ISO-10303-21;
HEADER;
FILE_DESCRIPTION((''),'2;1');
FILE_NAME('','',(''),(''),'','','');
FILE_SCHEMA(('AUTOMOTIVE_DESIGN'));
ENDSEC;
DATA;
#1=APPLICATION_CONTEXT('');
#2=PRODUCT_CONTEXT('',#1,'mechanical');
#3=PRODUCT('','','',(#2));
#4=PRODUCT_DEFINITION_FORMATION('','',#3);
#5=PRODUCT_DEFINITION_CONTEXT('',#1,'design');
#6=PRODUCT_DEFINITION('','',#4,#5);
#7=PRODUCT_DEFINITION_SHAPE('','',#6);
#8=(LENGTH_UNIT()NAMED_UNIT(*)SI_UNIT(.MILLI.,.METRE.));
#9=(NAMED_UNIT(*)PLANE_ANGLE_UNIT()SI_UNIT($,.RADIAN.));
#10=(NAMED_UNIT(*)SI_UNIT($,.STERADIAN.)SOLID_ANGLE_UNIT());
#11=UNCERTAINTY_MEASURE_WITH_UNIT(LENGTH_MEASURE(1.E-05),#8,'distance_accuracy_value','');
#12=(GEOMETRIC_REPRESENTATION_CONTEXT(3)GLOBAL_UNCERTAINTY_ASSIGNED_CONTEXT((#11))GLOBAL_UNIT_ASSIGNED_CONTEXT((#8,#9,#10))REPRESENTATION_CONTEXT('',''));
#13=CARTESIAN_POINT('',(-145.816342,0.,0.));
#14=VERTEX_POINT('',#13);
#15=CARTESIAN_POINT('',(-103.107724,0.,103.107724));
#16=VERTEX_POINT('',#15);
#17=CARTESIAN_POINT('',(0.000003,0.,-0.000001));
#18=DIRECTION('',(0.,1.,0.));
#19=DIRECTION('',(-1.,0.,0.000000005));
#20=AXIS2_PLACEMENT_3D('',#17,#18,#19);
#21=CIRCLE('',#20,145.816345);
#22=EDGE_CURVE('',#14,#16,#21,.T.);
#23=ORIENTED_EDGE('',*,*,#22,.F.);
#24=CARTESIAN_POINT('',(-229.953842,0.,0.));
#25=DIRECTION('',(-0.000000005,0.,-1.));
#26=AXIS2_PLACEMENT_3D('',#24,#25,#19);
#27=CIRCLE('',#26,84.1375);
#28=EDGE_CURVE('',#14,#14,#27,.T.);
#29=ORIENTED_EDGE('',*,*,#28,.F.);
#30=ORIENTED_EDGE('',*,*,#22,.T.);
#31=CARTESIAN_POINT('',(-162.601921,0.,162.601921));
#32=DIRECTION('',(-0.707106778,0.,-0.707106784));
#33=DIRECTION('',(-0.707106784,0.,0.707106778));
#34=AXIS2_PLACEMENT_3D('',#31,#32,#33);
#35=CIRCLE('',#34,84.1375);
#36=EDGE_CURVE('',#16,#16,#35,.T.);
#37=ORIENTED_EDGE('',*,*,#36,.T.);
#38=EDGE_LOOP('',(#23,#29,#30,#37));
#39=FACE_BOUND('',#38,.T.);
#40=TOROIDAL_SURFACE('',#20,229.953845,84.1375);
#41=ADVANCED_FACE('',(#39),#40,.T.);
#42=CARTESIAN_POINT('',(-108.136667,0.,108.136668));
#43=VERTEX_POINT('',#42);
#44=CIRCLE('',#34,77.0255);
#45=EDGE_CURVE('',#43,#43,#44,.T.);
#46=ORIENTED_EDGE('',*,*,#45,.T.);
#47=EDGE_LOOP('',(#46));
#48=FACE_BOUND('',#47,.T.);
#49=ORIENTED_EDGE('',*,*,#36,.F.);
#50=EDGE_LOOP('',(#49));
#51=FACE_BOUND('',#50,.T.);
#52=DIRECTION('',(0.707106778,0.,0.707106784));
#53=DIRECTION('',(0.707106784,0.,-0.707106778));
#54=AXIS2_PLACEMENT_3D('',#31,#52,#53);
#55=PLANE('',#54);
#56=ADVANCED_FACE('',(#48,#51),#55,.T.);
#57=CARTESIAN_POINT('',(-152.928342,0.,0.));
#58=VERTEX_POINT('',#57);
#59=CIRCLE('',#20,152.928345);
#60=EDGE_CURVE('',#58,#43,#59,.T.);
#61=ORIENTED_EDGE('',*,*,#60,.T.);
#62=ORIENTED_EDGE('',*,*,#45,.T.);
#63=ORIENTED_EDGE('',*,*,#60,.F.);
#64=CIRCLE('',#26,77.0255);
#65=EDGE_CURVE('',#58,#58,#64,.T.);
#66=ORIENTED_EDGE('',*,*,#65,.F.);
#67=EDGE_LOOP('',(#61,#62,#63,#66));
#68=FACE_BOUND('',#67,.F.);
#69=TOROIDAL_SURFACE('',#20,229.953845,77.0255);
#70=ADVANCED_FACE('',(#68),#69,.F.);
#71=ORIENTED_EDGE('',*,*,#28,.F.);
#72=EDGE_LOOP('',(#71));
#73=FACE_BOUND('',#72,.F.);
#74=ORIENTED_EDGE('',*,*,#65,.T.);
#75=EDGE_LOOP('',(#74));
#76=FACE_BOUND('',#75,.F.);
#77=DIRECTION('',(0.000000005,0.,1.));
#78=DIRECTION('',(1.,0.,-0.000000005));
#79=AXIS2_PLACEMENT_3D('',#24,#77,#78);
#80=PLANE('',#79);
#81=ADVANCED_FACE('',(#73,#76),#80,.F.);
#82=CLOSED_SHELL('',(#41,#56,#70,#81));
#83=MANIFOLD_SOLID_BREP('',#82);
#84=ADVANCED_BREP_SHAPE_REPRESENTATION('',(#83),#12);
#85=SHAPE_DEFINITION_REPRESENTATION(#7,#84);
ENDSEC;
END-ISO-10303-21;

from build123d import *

# Parameters (mm, degrees)
F1_R   = 84.1375
F1_R_2 = 77.0255


with BuildPart() as f2:
    # F2: sweep along a path in F0
    with BuildLine(Plane.XZ) as f2_path:
        ThreePointArc((-229.953842, 0), (-212.449648, 87.999525), (-162.601921, 162.601921))
    # F1 (on Top) → F2 (sweep)
    with BuildSketch(Plane.XY):
        with Locations((-229.953842, 0)):
            Circle(F1_R)
        with Locations((-229.953842, 0)):
            Circle(F1_R_2, mode=Mode.SUBTRACT)
    sweep(path=f2_path.line)


solid = f2.part
